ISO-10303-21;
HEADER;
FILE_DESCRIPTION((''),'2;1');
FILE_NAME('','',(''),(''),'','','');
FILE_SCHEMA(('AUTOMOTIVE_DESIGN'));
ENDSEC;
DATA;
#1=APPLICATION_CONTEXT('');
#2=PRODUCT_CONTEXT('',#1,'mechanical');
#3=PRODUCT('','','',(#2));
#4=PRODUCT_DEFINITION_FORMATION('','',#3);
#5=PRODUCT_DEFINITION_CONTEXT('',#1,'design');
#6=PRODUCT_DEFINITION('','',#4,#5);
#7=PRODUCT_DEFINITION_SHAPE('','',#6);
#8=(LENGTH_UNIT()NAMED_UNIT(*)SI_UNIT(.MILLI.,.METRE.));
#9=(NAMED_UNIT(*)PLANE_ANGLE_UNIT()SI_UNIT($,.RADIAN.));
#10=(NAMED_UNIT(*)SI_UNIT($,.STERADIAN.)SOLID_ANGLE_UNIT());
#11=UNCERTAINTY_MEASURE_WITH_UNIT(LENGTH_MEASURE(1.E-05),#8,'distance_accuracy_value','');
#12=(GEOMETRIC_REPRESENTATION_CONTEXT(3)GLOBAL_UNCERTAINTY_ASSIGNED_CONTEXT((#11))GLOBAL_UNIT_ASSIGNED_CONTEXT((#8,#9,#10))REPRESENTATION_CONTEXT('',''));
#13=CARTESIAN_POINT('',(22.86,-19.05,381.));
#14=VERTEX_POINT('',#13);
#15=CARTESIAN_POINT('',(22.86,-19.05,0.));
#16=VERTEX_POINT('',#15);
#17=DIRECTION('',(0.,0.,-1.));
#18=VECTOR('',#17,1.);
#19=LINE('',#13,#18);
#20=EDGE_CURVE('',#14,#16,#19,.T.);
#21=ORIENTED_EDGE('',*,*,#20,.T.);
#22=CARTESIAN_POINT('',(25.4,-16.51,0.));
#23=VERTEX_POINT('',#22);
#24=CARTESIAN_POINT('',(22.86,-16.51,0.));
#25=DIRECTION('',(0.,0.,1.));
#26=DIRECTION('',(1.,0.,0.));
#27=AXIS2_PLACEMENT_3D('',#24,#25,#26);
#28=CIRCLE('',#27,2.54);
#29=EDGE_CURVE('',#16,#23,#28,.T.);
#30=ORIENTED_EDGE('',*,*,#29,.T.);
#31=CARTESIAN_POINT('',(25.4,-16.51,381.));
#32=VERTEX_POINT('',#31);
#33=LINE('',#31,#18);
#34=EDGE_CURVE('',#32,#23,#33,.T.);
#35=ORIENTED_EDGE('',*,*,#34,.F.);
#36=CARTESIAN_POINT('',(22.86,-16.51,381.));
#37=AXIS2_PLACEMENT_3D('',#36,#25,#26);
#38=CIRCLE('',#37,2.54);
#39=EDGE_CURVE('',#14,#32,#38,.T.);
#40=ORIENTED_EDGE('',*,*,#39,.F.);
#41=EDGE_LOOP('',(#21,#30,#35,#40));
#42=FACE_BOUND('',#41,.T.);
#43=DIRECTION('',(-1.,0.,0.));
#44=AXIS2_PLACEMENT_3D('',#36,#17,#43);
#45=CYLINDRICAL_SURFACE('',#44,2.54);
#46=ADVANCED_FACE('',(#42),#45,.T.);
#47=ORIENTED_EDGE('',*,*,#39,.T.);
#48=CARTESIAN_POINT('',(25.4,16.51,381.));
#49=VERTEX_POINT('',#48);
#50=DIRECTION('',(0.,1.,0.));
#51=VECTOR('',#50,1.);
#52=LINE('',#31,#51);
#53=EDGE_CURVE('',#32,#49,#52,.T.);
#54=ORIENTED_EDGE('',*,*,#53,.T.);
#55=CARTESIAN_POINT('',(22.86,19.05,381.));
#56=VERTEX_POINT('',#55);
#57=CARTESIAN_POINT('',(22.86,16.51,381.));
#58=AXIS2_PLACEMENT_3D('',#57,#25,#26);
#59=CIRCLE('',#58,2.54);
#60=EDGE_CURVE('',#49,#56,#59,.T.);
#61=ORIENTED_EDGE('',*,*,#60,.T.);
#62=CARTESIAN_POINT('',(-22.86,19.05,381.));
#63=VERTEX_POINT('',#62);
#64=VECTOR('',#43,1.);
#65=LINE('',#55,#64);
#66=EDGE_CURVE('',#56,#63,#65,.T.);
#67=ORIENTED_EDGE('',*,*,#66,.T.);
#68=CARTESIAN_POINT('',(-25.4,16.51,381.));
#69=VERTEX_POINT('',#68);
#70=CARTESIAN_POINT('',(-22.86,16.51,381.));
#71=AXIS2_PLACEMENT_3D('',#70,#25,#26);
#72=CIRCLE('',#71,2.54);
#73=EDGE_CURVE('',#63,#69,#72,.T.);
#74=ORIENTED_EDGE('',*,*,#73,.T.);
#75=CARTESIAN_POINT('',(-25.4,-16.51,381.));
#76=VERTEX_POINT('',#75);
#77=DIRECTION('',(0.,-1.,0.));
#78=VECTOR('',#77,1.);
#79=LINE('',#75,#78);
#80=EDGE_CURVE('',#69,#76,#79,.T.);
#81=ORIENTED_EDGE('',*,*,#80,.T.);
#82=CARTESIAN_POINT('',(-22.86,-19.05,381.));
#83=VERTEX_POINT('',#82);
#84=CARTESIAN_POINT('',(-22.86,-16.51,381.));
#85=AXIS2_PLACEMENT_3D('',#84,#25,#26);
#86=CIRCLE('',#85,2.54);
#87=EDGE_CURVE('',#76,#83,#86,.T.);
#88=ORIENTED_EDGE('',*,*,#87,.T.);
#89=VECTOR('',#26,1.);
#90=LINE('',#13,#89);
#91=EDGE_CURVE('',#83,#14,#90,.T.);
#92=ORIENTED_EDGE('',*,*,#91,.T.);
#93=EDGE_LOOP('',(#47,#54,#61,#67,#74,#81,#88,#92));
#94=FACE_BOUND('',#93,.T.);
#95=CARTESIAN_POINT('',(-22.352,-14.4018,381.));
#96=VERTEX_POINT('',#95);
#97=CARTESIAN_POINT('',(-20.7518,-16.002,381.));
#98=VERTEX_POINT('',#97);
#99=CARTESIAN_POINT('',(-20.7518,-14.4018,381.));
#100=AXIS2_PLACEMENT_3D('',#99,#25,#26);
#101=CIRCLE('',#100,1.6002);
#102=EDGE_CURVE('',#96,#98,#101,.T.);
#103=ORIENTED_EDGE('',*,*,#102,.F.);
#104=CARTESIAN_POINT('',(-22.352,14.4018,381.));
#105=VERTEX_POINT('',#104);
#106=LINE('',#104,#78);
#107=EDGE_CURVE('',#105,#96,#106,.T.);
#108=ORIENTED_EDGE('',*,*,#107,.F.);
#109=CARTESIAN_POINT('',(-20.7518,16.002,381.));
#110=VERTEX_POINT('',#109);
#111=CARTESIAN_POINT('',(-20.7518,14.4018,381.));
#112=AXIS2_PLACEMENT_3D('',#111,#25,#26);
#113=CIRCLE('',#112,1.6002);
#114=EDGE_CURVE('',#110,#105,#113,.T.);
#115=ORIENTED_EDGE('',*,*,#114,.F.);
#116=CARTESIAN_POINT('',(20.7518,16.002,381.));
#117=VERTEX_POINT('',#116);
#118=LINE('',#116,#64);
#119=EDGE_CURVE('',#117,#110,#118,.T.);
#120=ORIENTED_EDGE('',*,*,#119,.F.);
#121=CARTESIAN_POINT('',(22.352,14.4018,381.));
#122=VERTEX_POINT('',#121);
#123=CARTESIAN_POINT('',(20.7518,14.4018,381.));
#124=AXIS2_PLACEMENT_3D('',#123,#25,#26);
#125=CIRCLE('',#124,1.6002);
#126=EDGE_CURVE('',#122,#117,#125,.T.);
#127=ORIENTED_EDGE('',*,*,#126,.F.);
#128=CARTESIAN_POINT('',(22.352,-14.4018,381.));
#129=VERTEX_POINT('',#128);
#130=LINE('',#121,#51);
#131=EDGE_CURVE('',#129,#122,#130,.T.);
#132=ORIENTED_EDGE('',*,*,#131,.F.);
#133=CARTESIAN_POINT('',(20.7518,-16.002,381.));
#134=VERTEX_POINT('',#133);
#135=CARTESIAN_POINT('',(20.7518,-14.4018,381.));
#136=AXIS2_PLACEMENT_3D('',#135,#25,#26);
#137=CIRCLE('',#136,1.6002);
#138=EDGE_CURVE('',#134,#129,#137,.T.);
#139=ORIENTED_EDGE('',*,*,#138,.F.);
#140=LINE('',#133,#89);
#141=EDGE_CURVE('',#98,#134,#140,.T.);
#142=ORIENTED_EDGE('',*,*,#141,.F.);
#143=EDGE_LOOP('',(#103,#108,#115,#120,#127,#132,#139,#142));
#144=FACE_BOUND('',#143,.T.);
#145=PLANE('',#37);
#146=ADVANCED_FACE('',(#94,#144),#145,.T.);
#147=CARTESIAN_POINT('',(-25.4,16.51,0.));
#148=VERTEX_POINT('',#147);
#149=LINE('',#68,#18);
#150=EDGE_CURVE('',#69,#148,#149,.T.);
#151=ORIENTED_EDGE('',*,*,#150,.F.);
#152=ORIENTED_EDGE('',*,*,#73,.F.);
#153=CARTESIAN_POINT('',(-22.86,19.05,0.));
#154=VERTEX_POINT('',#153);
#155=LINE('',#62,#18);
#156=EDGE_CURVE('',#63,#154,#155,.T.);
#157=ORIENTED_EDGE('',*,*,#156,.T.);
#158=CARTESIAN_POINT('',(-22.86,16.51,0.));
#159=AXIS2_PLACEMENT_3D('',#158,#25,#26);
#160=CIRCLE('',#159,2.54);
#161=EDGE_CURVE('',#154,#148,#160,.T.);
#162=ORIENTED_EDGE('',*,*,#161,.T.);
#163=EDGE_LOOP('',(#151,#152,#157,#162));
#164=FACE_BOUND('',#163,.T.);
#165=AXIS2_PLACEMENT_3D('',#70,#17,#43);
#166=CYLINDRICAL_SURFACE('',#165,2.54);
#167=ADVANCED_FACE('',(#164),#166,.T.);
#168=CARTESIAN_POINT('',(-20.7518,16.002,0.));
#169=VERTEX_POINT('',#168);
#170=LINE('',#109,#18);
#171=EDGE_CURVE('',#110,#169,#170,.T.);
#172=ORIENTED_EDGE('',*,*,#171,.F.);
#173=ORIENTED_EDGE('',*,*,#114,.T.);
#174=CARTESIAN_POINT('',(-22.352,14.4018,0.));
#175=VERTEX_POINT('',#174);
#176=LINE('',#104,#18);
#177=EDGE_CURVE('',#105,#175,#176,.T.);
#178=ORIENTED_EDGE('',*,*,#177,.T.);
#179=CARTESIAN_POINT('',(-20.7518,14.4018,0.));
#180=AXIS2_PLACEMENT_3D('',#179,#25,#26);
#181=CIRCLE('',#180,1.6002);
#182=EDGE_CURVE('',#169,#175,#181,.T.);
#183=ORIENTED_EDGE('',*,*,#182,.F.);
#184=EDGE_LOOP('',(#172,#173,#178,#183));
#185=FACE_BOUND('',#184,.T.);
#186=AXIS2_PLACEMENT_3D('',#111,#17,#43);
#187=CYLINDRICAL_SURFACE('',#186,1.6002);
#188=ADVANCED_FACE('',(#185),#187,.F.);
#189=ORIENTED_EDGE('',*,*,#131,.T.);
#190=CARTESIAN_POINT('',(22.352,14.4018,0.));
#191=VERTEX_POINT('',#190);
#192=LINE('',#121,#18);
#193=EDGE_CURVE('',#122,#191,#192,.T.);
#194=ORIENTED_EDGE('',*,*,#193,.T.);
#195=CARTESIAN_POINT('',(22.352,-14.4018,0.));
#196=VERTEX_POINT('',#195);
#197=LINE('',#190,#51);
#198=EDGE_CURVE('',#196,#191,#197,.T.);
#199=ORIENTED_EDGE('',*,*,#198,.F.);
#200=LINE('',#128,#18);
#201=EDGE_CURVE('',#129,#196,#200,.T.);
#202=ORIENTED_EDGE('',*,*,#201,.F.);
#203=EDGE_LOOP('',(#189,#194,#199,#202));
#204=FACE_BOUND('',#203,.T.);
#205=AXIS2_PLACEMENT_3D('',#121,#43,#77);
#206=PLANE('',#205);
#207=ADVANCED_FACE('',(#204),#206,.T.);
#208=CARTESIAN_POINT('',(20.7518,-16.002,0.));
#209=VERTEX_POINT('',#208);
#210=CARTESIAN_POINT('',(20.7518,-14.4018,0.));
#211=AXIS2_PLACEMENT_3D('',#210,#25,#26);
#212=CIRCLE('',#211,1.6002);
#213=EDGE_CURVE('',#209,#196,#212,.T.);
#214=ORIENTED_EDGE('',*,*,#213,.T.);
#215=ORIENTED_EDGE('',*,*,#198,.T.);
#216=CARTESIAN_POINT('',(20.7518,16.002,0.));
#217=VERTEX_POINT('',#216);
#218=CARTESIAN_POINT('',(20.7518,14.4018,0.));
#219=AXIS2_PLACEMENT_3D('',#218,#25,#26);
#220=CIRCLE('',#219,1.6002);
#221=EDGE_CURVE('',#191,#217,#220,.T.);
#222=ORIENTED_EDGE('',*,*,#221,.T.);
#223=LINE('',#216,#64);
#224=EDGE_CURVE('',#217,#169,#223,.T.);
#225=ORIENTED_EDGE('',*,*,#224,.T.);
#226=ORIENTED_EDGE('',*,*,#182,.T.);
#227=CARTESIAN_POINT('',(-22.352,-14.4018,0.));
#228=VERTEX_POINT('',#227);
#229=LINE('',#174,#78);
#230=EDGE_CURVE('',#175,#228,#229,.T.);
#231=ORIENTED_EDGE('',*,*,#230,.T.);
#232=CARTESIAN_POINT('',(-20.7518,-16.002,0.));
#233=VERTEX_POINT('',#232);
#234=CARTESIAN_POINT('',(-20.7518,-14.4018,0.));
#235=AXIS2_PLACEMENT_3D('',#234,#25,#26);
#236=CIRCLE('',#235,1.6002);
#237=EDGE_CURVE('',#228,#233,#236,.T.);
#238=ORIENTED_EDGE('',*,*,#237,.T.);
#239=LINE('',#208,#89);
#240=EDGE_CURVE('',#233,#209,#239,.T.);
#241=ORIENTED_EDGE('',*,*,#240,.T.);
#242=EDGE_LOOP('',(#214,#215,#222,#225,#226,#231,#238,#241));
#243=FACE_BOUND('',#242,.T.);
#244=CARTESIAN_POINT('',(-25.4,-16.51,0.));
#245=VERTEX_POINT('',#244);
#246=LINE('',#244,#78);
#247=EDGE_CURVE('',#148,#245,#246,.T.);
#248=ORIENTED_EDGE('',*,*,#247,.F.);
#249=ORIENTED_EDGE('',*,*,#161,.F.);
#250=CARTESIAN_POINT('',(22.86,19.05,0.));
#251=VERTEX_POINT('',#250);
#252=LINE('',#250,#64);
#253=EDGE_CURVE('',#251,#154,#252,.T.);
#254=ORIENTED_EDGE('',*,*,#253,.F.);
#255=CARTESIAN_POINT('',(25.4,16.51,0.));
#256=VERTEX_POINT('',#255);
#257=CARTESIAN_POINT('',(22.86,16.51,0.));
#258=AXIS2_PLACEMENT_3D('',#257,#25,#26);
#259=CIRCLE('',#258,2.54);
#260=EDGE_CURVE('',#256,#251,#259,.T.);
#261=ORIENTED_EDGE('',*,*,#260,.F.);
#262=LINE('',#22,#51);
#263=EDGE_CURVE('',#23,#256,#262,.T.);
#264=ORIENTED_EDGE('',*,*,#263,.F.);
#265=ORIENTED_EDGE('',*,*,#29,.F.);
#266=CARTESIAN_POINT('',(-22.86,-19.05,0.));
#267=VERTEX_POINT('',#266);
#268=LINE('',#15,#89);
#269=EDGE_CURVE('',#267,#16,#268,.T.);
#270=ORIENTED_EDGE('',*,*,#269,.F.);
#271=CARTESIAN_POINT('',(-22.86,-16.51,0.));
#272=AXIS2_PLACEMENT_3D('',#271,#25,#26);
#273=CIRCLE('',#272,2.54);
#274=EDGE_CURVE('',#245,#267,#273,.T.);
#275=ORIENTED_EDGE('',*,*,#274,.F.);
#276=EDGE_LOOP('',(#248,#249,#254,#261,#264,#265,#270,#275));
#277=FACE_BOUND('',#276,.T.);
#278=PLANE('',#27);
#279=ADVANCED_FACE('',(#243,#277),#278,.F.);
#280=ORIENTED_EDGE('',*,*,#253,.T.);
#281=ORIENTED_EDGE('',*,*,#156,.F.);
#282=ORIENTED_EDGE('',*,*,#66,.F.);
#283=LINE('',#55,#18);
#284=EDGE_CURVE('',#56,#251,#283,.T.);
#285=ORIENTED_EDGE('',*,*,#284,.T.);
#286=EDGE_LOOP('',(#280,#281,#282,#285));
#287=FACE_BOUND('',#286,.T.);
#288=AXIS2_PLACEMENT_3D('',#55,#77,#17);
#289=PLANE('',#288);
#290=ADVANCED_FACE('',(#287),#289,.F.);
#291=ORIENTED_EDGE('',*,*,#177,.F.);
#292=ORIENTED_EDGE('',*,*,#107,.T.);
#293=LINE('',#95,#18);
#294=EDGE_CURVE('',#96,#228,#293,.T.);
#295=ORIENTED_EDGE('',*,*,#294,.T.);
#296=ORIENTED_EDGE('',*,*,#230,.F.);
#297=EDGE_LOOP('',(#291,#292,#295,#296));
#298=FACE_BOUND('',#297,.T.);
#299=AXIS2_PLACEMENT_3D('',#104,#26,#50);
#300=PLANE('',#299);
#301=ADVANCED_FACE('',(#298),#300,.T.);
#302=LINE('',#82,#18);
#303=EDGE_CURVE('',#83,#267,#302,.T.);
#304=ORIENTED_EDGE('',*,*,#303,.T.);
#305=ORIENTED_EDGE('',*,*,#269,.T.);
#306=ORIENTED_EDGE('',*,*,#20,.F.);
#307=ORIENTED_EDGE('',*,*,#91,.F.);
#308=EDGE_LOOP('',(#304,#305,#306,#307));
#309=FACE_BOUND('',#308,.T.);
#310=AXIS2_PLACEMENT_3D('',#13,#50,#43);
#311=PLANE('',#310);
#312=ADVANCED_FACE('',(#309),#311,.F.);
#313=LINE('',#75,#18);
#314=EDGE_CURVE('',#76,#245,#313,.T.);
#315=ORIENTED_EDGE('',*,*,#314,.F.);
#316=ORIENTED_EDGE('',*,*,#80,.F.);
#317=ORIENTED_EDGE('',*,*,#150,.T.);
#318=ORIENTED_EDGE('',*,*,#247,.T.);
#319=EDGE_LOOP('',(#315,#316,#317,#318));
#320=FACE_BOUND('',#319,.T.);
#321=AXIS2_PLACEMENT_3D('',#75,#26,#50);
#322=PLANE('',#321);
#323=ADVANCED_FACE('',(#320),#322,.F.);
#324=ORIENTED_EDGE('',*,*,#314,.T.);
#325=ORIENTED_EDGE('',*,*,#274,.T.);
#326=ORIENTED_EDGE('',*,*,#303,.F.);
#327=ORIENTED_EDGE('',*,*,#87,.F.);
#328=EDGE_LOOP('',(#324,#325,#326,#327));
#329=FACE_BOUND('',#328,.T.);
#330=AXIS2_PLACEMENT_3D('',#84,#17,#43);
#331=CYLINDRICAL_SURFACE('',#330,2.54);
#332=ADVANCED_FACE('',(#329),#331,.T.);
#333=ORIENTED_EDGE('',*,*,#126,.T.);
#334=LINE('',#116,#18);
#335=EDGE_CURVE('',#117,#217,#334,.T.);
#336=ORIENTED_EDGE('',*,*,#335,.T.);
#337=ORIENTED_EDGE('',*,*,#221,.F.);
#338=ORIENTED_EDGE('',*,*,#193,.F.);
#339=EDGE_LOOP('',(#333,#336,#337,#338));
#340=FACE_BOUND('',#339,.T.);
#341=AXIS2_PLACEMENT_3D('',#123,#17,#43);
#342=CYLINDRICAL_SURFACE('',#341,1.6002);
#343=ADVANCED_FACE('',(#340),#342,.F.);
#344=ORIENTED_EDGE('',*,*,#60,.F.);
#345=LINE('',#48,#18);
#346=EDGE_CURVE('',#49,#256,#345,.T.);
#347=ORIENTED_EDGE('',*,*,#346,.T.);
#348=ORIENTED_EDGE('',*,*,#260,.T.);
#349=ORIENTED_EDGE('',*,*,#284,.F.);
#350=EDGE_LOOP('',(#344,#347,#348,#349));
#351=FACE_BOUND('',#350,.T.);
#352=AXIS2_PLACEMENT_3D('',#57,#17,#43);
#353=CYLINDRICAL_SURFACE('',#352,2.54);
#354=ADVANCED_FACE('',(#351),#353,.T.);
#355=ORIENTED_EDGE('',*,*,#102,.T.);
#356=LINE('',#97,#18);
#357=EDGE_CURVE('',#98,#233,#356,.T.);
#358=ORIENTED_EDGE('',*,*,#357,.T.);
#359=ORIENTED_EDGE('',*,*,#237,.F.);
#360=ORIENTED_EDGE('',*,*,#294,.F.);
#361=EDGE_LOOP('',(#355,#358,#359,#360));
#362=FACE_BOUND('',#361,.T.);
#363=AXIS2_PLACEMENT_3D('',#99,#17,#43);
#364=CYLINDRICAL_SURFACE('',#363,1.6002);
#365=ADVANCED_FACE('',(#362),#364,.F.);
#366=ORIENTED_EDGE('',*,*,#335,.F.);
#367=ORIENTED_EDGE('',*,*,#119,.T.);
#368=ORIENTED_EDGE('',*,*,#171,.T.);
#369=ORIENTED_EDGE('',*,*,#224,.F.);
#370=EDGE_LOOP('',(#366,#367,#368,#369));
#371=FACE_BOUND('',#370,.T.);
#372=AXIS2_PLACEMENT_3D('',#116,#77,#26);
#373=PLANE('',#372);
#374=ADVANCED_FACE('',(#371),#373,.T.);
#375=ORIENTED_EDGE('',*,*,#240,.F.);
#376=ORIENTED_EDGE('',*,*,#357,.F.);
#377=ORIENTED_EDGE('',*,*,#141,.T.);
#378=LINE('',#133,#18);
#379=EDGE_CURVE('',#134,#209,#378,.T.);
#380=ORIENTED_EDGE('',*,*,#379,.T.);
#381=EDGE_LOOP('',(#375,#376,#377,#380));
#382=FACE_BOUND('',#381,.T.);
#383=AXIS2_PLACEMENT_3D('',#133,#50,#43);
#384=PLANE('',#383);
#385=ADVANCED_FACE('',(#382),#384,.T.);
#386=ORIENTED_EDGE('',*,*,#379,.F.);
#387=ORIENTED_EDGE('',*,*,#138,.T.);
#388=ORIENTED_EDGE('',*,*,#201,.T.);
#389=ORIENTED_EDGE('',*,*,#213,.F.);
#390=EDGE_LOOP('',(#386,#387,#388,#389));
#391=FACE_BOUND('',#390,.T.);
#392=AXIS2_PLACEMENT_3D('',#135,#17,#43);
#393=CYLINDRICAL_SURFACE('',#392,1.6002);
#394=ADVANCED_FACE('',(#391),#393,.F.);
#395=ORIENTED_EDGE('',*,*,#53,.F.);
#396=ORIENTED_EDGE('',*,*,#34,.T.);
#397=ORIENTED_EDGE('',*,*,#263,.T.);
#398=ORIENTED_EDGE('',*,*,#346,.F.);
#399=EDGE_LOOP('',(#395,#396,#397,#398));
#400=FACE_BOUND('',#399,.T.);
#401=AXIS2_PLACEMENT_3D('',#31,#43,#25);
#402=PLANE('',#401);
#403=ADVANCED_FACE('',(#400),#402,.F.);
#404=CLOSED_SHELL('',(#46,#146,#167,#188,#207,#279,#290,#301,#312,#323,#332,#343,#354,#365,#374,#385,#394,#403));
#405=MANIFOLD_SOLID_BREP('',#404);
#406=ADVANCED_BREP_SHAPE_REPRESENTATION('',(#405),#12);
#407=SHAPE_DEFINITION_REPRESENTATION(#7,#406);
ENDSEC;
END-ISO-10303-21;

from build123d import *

# Parameters (mm, degrees)
BOSS_EXTRUDE1_DEPTH = 381


with BuildPart() as part:
    # Sketch4 → Boss-Extrude1 (new body)
    with BuildSketch(Plane.XY):
        with BuildLine():
            Line((25.4, -16.51), (25.4, 16.51))
            ThreePointArc((25.4, 16.51), (24.656051224, 18.306051224), (22.86, 19.05))
            Line((22.86, 19.05), (-22.86, 19.05))
            ThreePointArc((-22.86, 19.05), (-24.656051224, 18.306051224), (-25.4, 16.51))
            Line((-25.4, 16.51), (-25.4, -16.51))
            ThreePointArc((-25.4, -16.51), (-24.656051224, -18.306051224), (-22.86, -19.05))
            Line((-22.86, -19.05), (22.86, -19.05))
            ThreePointArc((22.86, -19.05), (24.656051224, -18.306051224), (25.4, -16.51))
        make_face()
        with BuildLine():
            Line((22.352, 14.4018), (22.352, -14.4018))
            ThreePointArc((22.352, -14.4018), (21.883312271, -15.533312271), (20.7518, -16.002))
            Line((20.7518, -16.002), (-20.7518, -16.002))
            ThreePointArc((-20.7518, -16.002), (-21.883312271, -15.533312271), (-22.352, -14.4018))
            Line((-22.352, -14.4018), (-22.352, 14.4018))
            ThreePointArc((-22.352, 14.4018), (-21.883312271, 15.533312271), (-20.7518, 16.002))
            Line((-20.7518, 16.002), (20.7518, 16.002))
            ThreePointArc((20.7518, 16.002), (21.883312271, 15.533312271), (22.352, 14.4018))
        make_face(mode=Mode.SUBTRACT)
    extrude(amount=BOSS_EXTRUDE1_DEPTH)


solid = part.part
